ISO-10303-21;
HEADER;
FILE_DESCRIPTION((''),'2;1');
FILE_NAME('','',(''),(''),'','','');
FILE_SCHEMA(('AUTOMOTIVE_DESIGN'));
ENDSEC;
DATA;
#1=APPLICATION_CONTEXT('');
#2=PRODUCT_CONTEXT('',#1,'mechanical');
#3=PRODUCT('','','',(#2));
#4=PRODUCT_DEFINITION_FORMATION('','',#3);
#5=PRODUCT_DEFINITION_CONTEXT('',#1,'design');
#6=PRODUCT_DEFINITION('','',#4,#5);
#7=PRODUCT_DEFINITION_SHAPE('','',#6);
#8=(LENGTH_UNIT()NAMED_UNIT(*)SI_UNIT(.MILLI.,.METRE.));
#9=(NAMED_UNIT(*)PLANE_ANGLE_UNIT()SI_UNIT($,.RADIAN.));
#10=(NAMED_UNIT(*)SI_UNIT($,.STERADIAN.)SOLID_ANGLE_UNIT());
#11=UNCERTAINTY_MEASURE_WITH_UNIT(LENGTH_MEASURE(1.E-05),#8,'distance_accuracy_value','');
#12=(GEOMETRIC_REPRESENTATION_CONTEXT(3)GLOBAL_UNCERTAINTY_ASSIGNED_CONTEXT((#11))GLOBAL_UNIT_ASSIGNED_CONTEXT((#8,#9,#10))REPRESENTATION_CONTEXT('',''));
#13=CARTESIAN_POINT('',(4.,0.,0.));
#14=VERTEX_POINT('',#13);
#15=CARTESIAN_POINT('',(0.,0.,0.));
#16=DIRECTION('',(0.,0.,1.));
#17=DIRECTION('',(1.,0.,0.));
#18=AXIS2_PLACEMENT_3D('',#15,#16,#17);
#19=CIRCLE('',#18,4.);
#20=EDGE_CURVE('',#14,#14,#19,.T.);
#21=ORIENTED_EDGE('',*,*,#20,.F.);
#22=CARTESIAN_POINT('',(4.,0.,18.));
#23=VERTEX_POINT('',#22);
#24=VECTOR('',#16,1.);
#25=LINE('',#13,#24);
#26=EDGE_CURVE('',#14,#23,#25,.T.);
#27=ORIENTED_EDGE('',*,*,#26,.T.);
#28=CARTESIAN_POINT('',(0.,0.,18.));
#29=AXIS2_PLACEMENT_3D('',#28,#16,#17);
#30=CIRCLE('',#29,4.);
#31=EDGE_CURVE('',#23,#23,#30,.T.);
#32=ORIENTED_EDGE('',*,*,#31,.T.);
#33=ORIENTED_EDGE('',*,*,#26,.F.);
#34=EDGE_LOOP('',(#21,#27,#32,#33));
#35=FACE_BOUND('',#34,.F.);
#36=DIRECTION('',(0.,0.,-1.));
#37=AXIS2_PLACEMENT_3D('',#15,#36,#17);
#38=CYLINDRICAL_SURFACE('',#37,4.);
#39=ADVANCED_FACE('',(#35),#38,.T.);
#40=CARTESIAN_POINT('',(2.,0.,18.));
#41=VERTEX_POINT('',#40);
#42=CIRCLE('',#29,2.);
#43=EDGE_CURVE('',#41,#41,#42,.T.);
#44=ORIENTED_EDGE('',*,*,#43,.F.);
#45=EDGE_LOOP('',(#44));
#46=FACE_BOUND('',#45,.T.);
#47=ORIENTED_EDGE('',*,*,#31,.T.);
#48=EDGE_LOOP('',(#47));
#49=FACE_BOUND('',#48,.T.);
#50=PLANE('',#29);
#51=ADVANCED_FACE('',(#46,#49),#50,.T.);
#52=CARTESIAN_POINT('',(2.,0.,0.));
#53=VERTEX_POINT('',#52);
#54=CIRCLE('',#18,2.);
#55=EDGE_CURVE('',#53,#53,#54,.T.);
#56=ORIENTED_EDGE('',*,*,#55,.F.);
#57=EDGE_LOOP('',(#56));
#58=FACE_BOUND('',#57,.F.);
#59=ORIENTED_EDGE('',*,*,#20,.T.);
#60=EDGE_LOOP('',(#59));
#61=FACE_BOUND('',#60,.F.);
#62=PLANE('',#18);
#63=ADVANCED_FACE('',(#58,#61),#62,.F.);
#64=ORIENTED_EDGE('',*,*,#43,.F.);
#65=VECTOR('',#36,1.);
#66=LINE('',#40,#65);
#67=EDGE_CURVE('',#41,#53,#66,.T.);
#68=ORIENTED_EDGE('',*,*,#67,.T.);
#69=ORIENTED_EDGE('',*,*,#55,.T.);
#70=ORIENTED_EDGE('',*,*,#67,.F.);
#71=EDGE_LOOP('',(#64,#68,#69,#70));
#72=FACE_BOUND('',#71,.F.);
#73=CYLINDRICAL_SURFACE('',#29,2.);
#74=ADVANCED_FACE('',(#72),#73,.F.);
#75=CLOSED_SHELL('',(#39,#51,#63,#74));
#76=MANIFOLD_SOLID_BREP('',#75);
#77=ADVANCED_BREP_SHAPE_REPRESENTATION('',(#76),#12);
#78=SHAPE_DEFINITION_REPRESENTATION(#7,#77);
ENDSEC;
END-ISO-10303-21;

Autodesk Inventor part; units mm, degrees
ref_plane "YZ Plane" through (0, 0, 0) normal (1, 0, 0) x (0, 1, 0)
ref_plane "XZ Plane" through (0, 0, 0) normal (0, 1, 0) x (-1, 0, 0)
ref_plane "XY Plane" through (0, 0, 0) normal (0, 0, 1) x (1, 0, 0)
sketch "スケッチ1" plane through (0, 0, 0) normal (0, 0, 1) x (1, 0, 0)
  circle A0 centre (0, 0) radius 4
  dimension "d0" = 8
extrude "押し出し1" add sketch "スケッチ1" along normal blind 18
sketch "スケッチ2" plane through (0, 0, 18) normal (0, 0, 1) x (1, 0, 0)
  circle A0 centre (0, 0) radius 2
  dimension "d3" = 4
extrude "押し出し2" cut sketch "スケッチ2" against normal blind 18
properties part number "Gear1_GEAB0.5-16-8-K-4" material "真鍮"
